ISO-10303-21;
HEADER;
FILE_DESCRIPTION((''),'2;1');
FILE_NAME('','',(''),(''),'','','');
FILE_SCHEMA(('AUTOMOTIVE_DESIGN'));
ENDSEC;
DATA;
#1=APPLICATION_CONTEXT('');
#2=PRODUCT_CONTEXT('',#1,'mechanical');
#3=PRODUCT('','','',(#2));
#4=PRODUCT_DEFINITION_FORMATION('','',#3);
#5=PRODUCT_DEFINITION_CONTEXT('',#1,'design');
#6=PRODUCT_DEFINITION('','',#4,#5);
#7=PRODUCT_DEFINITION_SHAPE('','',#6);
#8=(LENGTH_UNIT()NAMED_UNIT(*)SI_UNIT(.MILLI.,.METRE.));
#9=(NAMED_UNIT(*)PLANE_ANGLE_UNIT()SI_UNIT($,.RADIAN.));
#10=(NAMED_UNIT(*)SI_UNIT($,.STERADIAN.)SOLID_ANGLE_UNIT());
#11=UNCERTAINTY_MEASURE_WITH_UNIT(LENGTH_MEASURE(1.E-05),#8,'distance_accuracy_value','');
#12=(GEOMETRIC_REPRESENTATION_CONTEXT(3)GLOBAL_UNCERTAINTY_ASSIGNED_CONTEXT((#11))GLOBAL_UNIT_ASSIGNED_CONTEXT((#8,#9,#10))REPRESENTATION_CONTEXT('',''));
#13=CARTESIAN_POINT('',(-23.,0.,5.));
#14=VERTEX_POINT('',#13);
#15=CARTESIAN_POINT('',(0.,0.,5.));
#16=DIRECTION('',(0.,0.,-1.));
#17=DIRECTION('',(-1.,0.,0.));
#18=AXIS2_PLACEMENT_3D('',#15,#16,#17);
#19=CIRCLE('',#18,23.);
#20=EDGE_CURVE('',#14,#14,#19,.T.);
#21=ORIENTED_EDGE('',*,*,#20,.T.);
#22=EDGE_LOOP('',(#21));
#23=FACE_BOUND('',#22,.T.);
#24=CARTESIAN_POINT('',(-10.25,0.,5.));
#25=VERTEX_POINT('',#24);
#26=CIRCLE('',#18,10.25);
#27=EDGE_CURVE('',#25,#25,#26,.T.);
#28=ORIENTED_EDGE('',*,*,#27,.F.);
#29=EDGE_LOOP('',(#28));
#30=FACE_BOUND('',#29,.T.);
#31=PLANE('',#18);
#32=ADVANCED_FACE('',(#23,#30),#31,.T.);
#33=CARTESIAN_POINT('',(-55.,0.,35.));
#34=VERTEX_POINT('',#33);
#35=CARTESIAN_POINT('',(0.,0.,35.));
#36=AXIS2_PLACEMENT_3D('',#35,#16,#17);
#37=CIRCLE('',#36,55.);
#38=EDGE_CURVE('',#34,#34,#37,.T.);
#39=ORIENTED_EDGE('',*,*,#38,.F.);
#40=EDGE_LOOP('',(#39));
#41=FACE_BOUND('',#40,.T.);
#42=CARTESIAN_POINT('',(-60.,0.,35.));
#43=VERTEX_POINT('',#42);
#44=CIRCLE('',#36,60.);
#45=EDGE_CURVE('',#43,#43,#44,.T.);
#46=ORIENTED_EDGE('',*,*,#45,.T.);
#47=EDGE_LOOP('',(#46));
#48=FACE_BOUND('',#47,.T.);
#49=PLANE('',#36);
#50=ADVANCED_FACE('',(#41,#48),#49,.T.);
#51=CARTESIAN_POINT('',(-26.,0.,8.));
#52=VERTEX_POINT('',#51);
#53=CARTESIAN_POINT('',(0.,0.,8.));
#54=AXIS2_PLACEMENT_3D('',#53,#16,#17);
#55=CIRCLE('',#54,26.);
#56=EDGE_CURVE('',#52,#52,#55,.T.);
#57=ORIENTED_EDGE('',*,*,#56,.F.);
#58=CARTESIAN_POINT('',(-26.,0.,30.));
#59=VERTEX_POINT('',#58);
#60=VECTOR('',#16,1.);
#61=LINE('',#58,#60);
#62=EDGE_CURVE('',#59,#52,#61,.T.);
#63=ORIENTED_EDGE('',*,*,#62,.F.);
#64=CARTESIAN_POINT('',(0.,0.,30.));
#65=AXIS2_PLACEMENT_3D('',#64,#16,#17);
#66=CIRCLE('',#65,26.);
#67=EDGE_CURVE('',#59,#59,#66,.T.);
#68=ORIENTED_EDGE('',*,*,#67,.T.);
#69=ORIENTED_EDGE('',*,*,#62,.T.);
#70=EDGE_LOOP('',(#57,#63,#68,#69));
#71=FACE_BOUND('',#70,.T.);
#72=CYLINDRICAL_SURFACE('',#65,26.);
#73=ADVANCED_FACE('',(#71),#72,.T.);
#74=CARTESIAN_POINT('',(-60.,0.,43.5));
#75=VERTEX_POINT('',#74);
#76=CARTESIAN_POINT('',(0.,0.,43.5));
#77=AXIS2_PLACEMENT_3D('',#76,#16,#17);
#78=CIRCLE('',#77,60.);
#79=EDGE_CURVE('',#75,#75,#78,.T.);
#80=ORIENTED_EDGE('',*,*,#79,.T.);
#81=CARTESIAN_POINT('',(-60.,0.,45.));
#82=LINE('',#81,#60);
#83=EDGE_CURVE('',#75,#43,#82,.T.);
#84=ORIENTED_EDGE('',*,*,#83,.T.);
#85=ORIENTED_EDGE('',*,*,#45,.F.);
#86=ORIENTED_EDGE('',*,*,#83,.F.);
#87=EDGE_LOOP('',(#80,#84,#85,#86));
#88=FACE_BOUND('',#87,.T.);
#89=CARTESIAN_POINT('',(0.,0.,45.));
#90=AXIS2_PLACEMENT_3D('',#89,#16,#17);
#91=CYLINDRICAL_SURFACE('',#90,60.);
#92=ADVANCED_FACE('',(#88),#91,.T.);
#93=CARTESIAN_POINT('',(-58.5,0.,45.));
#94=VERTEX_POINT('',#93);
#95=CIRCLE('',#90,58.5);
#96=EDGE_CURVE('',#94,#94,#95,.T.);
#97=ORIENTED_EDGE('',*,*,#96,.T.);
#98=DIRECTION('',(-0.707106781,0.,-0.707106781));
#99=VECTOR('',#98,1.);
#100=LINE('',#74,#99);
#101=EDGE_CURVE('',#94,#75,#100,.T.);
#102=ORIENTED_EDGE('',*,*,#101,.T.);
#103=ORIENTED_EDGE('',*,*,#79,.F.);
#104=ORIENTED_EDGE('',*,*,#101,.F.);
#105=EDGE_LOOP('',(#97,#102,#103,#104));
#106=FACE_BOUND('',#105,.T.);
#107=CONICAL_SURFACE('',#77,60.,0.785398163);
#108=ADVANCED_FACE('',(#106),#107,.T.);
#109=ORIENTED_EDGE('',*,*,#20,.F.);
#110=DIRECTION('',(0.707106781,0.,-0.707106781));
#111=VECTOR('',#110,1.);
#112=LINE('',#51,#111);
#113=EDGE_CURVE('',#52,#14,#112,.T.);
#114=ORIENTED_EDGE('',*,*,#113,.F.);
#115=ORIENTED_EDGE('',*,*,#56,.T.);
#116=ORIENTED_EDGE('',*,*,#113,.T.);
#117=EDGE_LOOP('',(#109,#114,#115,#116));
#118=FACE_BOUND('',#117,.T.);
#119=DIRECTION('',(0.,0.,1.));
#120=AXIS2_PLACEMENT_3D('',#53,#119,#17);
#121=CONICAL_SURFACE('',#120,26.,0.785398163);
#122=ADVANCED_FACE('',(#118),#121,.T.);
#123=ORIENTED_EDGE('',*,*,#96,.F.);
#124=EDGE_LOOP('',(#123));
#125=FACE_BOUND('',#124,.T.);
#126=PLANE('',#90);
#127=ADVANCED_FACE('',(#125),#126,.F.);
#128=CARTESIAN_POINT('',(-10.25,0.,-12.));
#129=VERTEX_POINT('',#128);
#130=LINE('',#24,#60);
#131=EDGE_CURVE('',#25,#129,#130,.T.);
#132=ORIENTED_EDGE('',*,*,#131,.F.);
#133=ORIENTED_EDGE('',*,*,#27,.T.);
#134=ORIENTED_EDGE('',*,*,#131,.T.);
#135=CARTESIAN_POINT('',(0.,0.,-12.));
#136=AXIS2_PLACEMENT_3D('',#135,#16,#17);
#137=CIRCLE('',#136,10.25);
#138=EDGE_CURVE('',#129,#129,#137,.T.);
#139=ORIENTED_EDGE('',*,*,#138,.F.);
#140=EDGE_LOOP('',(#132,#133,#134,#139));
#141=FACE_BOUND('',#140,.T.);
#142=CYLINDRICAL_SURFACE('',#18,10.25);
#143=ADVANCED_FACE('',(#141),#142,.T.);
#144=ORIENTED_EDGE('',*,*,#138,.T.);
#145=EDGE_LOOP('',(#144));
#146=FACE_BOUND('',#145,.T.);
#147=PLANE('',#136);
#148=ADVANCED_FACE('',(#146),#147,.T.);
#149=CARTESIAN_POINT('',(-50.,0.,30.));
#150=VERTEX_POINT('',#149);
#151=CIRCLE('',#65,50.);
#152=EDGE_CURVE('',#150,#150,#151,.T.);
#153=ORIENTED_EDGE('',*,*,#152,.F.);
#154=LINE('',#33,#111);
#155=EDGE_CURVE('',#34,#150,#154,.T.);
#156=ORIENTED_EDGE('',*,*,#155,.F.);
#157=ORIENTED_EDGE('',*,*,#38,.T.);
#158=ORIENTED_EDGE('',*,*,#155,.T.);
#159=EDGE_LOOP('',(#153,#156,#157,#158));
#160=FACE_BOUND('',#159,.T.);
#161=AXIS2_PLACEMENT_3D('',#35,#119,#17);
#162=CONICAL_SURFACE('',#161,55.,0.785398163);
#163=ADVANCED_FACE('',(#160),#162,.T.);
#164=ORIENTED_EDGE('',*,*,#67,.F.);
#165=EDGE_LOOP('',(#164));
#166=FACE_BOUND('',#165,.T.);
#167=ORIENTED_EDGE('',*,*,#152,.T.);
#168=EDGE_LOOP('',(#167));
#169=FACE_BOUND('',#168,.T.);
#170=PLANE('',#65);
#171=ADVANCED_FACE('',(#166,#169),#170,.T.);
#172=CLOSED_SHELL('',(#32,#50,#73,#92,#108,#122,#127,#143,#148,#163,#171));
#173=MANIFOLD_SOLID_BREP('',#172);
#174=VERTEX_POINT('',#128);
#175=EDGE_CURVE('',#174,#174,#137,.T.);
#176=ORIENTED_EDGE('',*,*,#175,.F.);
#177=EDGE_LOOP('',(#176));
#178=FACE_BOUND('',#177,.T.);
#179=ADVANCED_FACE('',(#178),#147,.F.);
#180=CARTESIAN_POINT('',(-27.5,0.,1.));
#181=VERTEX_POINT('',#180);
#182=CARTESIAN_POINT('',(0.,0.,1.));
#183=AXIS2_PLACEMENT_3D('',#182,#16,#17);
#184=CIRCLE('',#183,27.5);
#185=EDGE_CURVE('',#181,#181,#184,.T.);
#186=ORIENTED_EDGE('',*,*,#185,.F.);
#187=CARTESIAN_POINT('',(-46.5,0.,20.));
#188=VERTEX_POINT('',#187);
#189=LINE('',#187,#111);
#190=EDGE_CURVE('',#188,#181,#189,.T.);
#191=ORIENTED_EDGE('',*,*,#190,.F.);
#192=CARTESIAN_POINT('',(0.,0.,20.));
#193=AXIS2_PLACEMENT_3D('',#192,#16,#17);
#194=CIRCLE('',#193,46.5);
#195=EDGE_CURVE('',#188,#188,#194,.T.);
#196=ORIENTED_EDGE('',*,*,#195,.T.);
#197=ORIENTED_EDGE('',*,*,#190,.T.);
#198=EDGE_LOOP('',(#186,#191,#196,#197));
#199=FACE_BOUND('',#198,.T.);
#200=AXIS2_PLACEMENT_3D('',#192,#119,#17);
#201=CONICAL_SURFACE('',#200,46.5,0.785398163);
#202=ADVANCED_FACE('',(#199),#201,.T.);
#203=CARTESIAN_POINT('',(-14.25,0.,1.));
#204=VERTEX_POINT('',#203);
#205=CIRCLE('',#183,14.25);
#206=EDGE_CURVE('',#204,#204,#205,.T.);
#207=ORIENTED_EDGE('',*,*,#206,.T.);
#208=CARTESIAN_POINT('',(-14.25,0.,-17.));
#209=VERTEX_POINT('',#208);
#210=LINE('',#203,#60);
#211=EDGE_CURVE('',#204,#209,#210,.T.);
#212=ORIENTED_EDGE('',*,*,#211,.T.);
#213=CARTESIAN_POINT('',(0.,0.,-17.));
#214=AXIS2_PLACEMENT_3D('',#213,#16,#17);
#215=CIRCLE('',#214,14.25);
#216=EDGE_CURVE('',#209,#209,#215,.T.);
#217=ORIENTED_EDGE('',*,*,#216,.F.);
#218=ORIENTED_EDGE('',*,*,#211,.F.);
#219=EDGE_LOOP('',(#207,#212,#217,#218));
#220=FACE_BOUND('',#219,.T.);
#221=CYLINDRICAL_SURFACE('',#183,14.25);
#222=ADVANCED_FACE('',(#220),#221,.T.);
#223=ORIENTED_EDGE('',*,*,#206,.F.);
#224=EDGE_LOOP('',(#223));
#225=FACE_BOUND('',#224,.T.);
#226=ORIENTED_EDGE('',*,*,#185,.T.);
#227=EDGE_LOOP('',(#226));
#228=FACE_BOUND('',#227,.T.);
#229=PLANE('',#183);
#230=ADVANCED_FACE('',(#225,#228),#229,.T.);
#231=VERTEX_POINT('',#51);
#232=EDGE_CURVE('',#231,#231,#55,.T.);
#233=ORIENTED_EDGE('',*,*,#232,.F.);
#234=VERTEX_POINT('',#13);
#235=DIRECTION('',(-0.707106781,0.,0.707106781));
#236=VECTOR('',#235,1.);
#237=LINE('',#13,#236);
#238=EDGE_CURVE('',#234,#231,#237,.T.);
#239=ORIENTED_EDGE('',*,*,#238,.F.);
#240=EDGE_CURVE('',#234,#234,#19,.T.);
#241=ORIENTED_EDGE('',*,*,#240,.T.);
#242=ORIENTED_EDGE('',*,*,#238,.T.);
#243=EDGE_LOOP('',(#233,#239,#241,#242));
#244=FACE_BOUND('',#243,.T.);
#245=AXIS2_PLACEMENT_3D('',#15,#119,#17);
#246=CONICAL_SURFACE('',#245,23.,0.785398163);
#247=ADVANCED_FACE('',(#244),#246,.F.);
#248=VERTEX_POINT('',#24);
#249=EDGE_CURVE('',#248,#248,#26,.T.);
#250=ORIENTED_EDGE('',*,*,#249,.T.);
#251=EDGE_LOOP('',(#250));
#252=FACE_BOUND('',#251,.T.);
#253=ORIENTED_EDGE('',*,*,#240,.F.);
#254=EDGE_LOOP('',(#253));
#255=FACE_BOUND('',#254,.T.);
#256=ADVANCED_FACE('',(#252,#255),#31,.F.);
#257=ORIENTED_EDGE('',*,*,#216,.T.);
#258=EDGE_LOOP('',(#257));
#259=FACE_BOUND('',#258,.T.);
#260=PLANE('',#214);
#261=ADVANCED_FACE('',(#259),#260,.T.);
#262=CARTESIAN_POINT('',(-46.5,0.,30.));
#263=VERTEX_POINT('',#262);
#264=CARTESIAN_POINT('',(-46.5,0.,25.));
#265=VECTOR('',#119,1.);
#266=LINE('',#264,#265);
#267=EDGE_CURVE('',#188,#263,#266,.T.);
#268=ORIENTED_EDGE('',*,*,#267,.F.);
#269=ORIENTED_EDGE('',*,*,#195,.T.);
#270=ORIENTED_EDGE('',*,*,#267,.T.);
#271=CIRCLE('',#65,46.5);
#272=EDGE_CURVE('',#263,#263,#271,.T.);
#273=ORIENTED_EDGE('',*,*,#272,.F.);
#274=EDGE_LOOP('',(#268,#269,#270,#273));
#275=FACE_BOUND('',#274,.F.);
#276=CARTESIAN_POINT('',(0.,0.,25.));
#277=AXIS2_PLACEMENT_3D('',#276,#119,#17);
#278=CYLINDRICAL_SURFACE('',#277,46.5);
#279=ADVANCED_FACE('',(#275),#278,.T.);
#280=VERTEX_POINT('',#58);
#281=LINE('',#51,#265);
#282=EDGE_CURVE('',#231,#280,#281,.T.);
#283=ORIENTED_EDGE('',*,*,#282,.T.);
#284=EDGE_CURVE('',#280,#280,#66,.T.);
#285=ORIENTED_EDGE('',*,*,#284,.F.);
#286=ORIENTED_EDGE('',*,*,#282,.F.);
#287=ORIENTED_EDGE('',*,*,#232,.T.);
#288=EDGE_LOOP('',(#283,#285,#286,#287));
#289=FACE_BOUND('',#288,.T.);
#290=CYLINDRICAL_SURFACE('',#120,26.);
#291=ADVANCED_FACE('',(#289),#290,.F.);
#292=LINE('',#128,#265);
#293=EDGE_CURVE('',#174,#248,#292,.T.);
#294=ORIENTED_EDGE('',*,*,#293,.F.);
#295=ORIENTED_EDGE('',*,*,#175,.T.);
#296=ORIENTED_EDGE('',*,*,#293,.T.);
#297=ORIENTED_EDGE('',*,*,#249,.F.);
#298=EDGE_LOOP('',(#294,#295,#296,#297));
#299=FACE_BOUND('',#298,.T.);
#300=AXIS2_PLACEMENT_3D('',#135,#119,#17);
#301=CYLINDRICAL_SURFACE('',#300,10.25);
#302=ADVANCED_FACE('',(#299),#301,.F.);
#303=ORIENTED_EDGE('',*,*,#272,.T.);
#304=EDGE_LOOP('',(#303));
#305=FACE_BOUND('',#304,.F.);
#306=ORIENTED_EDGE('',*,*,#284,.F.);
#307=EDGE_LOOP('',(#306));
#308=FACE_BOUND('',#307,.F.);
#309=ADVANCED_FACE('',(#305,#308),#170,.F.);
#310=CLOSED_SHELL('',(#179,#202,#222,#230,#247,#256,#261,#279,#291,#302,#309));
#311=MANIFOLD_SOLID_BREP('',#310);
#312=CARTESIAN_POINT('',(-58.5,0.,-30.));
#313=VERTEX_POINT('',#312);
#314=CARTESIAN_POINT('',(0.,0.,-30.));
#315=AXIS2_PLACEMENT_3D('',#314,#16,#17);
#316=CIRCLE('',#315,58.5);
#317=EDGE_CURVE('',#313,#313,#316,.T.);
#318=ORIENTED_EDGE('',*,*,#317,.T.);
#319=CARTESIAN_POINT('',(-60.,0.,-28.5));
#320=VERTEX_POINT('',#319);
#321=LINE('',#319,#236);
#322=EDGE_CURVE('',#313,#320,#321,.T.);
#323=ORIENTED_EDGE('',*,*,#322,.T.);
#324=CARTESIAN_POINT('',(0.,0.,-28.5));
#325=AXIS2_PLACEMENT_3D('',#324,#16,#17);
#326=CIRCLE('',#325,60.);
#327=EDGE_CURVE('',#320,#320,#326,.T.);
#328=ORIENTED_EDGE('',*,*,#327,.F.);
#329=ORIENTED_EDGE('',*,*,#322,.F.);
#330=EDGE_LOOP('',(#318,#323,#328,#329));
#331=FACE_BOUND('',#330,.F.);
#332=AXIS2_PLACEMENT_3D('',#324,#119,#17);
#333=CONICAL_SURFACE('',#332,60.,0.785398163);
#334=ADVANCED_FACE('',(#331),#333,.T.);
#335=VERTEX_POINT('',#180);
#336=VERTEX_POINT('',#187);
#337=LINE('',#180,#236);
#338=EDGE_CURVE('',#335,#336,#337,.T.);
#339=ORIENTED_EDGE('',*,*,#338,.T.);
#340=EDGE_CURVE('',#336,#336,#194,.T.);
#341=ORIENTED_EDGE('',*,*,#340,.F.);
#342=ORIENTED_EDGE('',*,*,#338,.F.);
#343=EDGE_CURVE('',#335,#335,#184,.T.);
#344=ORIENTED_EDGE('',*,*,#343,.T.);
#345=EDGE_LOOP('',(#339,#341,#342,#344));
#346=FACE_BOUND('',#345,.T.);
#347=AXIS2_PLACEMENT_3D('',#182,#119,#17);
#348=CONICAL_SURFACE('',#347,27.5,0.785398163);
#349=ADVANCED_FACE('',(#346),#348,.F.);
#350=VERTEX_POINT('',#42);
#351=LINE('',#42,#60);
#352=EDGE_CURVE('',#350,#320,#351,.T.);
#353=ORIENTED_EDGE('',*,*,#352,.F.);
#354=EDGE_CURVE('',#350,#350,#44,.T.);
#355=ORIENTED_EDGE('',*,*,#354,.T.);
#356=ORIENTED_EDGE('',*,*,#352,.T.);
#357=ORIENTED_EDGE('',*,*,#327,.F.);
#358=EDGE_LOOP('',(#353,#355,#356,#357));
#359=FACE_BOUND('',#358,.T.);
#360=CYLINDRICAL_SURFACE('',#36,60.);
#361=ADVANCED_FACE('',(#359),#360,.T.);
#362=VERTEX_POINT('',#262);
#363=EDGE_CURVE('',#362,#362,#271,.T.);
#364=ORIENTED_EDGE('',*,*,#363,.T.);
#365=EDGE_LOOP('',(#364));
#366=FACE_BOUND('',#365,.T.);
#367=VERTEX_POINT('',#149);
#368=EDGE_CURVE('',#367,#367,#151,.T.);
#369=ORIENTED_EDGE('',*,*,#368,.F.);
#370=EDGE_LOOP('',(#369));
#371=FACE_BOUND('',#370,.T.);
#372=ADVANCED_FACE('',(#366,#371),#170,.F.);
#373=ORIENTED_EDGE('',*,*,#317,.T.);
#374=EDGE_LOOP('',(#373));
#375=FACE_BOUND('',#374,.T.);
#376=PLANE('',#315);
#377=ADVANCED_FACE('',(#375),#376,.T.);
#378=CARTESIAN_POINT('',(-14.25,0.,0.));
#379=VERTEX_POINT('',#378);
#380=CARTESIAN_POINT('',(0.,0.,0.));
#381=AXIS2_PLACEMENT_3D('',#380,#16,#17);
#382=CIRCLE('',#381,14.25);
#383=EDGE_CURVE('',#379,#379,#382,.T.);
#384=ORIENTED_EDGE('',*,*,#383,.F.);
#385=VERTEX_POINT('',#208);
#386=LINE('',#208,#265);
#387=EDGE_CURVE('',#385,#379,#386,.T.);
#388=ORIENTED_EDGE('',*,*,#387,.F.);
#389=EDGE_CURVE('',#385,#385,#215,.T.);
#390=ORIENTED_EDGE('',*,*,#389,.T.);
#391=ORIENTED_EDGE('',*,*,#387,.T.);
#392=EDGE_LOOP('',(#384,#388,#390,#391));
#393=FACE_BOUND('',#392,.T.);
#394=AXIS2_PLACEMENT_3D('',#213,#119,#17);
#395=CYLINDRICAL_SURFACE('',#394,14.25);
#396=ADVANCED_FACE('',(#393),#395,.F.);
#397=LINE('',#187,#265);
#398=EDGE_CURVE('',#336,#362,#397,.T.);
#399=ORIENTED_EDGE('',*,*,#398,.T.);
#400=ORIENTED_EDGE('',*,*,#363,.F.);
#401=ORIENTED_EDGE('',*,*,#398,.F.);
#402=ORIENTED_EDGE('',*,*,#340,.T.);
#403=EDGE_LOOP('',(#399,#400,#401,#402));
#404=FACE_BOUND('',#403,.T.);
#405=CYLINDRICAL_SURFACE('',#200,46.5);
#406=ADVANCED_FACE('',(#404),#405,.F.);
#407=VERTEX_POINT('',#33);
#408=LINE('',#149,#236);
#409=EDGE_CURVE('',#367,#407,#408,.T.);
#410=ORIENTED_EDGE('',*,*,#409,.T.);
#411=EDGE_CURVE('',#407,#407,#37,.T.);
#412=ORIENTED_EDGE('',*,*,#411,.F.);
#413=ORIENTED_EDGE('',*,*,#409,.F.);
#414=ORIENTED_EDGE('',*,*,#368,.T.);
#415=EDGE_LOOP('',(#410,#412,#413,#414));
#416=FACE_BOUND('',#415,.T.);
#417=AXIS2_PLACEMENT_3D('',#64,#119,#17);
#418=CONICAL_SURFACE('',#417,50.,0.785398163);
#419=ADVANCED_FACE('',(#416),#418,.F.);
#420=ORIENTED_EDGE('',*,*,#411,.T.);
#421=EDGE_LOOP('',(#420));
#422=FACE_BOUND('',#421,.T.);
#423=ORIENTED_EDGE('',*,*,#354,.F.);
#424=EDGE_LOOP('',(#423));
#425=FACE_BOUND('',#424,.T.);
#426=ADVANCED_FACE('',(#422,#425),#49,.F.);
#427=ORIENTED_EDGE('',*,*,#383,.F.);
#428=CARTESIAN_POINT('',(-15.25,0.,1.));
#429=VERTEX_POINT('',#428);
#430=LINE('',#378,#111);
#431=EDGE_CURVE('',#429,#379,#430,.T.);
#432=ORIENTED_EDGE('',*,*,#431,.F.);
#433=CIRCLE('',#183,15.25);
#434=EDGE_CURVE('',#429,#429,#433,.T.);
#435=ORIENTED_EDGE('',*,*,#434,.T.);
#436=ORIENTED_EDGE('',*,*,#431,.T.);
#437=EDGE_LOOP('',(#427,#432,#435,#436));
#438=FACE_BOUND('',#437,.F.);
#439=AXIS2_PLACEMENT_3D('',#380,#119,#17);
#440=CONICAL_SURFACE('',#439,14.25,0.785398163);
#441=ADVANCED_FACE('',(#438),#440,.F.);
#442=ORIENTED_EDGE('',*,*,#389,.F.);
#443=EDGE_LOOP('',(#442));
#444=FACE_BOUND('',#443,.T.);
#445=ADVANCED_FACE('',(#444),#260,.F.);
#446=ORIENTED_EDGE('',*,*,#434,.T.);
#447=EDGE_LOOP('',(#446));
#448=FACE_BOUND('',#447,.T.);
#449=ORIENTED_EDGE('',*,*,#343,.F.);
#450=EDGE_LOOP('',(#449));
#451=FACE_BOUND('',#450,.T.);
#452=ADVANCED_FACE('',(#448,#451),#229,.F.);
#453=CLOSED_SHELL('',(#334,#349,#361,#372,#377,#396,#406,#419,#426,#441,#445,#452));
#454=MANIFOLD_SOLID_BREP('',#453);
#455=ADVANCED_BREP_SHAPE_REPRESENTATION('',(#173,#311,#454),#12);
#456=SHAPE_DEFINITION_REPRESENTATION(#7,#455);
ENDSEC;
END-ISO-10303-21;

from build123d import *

# Parameters (mm, degrees)
F0_W    = 26
F0_H    = 10
F0_W_2  = 20.5
F4_SIZE = 1.5
F5_SIZE = 1.5
F6_SIZE = 1


with BuildPart() as f1:
    # F0 (on Front) → F1 (revolve)
    with BuildSketch(Plane.XZ):
        Polygon((-60, 30), (-60, 20), (-46.5, 20), (-46.5, 30), (-50, 30), align=None)
        Polygon((-60, -30), (0, -30), (0, -17), (-14.25, -17), (-14.25, 1), (-27.5, 1), (-46.5, 20), (-60, 20), align=None)
        Polygon((-55, 35), (-60, 35), (-60, 30), (-50, 30), align=None)
    revolve(axis=Axis((0, 0, 13.6922076344), (0, 0, -1)))

    # F5
    f5_edges = [f1.edges().sort_by_distance(p)[0] for p in [
        (60, 0, -30),
    ]]
    chamfer(f5_edges, length=F5_SIZE)

    # F6
    f6_edges = [f1.edges().sort_by_distance(p)[0] for p in [
        (14.25, 0, 1),
    ]]
    chamfer(f6_edges, length=F6_SIZE)


with BuildPart() as f2:
    # F0 (on Front) → F2 (revolve)
    with BuildSketch(Plane.XZ):
        with Locations((-13, 25)):
            Rectangle(F0_W, F0_H)
        Polygon((0, -12), (0, 20), (-26, 20), (-26, 8), (-23, 5), (-10.25, 5), (-10.25, -12), align=None)
        Polygon((0, 30), (0, 45), (-60, 45), (-60, 35), (-55, 35), (-50, 30), (-46.5, 30), (-26, 30), align=None)
    revolve(axis=Axis((0, 0, 13.6922076344), (0, 0, -1)))

    # F4
    f4_edges = [f2.edges().sort_by_distance(p)[0] for p in [
        (60, 0, 45),
    ]]
    chamfer(f4_edges, length=F4_SIZE)


with BuildPart() as f3:
    # F0 (on Front) → F3 (revolve)
    with BuildSketch(Plane.XZ):
        with Locations((-36.25, 25)):
            Rectangle(F0_W_2, F0_H)
        Polygon((-14.25, -17), (0, -17), (0, -12), (-10.25, -12), (-10.25, 5), (-23, 5), (-26, 8), (-26, 20), (-46.5, 20), (-27.5, 1), (-14.25, 1), align=None)
    revolve(axis=Axis((0, 0, 13.6922076344), (0, 0, -1)))


solid = Compound([f1.part, f2.part, f3.part])
